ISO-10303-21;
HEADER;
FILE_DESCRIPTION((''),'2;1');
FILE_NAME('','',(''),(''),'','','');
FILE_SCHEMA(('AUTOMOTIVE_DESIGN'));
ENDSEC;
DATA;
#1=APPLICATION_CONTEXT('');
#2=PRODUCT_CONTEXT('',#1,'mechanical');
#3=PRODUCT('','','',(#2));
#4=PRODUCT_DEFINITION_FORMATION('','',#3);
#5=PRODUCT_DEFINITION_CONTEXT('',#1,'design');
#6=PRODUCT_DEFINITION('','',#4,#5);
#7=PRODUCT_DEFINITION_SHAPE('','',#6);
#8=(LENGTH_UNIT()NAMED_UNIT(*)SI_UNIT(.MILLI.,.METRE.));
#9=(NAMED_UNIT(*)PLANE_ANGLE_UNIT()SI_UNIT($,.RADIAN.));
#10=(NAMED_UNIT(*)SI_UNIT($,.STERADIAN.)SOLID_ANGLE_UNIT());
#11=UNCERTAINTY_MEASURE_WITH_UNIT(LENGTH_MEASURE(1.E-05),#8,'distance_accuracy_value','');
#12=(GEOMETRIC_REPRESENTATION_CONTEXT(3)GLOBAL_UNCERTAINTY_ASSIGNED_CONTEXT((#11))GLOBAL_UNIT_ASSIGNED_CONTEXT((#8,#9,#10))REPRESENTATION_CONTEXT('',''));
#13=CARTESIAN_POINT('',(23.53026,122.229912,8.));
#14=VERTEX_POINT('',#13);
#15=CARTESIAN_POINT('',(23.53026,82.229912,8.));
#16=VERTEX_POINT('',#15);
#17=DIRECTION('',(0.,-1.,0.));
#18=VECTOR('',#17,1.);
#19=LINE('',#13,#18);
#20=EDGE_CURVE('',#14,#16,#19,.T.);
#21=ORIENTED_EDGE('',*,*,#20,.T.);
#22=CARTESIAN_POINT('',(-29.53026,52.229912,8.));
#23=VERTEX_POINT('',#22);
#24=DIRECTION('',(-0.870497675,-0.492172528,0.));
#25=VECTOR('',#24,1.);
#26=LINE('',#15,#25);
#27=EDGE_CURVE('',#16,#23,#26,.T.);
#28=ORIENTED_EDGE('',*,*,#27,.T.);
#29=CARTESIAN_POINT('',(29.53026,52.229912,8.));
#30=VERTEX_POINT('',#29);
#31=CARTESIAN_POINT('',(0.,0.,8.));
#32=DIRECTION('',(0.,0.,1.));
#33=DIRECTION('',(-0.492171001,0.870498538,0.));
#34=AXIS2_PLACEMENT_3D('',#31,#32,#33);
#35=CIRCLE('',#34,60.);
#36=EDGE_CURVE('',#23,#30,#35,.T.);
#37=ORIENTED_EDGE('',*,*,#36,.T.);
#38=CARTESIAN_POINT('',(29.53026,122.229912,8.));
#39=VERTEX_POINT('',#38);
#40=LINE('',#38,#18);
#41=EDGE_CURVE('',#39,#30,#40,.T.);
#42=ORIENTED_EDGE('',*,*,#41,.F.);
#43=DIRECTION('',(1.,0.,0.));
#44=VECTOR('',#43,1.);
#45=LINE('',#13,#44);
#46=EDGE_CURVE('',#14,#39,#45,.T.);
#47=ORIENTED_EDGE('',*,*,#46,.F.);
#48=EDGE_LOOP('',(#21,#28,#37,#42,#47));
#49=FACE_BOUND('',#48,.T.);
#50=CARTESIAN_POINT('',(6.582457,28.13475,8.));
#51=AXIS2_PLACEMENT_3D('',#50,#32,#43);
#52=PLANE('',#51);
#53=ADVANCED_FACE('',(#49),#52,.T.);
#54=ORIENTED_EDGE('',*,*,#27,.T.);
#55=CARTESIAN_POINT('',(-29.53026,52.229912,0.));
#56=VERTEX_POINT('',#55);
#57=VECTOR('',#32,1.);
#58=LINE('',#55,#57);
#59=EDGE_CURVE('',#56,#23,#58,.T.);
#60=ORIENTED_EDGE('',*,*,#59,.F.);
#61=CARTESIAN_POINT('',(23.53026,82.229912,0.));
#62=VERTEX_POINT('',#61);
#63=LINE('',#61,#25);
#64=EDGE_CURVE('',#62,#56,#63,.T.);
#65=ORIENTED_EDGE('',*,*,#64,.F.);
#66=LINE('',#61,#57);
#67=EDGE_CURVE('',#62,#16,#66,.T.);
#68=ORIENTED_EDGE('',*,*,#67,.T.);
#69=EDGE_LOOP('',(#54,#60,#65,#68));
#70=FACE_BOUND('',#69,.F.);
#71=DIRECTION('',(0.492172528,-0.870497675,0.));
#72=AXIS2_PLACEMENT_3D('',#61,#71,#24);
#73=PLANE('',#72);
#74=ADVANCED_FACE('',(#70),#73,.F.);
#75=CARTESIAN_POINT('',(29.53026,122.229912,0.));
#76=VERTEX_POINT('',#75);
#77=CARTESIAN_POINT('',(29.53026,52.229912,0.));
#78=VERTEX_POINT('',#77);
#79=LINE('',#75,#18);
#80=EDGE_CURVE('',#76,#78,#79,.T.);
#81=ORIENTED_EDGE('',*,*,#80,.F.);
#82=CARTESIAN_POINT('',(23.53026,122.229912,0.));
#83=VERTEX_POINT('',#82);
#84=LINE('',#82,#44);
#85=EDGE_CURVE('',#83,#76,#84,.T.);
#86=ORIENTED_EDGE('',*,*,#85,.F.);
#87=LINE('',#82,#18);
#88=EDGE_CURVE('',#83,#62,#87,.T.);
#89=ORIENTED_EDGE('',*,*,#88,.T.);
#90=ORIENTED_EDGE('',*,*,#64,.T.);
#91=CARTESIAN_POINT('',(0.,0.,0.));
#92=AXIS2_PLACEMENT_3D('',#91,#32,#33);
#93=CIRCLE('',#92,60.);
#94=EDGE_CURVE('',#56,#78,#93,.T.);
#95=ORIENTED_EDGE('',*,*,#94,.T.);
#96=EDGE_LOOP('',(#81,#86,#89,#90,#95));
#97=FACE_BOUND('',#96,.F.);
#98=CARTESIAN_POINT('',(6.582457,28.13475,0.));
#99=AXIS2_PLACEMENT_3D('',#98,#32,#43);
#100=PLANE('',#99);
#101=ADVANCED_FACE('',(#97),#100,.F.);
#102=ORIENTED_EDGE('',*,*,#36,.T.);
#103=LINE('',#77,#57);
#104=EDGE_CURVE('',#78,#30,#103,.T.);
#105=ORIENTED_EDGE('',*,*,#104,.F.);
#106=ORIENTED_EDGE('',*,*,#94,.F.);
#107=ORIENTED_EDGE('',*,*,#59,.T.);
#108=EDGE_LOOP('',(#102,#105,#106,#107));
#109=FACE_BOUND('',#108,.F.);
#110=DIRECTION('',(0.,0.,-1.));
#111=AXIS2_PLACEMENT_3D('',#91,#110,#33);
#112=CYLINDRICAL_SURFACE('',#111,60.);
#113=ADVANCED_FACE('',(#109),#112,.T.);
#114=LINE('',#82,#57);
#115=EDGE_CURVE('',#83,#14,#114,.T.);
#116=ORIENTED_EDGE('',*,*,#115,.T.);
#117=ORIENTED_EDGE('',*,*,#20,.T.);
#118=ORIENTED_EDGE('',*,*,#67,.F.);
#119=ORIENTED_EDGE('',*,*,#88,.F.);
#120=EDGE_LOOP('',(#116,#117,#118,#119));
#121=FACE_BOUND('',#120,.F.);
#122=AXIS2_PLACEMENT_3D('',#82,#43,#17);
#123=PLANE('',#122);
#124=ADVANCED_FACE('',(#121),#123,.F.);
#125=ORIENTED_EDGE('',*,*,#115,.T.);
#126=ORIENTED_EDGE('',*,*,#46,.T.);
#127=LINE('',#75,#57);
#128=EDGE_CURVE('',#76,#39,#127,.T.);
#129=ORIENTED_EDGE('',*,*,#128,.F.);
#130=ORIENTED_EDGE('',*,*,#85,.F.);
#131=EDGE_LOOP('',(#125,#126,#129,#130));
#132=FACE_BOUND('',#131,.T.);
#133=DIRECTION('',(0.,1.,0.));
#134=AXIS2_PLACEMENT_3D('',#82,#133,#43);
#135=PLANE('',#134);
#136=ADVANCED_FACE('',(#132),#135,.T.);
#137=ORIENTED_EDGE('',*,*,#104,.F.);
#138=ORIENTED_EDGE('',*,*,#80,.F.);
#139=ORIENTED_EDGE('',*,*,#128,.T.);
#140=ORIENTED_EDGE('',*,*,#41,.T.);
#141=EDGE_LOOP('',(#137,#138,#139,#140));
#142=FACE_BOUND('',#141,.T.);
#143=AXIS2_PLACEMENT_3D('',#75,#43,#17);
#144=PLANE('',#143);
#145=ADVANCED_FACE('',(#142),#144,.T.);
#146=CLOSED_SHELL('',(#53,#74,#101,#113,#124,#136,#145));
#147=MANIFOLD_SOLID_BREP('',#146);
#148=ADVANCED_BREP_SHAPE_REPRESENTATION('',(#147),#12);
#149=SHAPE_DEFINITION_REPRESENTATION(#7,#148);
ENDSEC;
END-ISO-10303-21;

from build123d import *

# Parameters (mm, degrees)
PAD_DEPTH = 8


with BuildPart() as part:
    # Sketch → Pad (new body)
    with BuildSketch(Plane.XY):
        with BuildLine():
            ThreePointArc((-29.53026, 52.229912), (0, -60), (29.53026, 52.229912))
            Line((29.53026, 122.229912), (29.53026, 52.229912))
            Line((23.53026, 122.229912), (29.53026, 122.229912))
            Line((23.53026, 122.229912), (23.53026, 82.229912))
            Line((23.53026, 82.229912), (-29.53026, 52.229912))
        make_face()
    extrude(amount=PAD_DEPTH)


solid = part.part
